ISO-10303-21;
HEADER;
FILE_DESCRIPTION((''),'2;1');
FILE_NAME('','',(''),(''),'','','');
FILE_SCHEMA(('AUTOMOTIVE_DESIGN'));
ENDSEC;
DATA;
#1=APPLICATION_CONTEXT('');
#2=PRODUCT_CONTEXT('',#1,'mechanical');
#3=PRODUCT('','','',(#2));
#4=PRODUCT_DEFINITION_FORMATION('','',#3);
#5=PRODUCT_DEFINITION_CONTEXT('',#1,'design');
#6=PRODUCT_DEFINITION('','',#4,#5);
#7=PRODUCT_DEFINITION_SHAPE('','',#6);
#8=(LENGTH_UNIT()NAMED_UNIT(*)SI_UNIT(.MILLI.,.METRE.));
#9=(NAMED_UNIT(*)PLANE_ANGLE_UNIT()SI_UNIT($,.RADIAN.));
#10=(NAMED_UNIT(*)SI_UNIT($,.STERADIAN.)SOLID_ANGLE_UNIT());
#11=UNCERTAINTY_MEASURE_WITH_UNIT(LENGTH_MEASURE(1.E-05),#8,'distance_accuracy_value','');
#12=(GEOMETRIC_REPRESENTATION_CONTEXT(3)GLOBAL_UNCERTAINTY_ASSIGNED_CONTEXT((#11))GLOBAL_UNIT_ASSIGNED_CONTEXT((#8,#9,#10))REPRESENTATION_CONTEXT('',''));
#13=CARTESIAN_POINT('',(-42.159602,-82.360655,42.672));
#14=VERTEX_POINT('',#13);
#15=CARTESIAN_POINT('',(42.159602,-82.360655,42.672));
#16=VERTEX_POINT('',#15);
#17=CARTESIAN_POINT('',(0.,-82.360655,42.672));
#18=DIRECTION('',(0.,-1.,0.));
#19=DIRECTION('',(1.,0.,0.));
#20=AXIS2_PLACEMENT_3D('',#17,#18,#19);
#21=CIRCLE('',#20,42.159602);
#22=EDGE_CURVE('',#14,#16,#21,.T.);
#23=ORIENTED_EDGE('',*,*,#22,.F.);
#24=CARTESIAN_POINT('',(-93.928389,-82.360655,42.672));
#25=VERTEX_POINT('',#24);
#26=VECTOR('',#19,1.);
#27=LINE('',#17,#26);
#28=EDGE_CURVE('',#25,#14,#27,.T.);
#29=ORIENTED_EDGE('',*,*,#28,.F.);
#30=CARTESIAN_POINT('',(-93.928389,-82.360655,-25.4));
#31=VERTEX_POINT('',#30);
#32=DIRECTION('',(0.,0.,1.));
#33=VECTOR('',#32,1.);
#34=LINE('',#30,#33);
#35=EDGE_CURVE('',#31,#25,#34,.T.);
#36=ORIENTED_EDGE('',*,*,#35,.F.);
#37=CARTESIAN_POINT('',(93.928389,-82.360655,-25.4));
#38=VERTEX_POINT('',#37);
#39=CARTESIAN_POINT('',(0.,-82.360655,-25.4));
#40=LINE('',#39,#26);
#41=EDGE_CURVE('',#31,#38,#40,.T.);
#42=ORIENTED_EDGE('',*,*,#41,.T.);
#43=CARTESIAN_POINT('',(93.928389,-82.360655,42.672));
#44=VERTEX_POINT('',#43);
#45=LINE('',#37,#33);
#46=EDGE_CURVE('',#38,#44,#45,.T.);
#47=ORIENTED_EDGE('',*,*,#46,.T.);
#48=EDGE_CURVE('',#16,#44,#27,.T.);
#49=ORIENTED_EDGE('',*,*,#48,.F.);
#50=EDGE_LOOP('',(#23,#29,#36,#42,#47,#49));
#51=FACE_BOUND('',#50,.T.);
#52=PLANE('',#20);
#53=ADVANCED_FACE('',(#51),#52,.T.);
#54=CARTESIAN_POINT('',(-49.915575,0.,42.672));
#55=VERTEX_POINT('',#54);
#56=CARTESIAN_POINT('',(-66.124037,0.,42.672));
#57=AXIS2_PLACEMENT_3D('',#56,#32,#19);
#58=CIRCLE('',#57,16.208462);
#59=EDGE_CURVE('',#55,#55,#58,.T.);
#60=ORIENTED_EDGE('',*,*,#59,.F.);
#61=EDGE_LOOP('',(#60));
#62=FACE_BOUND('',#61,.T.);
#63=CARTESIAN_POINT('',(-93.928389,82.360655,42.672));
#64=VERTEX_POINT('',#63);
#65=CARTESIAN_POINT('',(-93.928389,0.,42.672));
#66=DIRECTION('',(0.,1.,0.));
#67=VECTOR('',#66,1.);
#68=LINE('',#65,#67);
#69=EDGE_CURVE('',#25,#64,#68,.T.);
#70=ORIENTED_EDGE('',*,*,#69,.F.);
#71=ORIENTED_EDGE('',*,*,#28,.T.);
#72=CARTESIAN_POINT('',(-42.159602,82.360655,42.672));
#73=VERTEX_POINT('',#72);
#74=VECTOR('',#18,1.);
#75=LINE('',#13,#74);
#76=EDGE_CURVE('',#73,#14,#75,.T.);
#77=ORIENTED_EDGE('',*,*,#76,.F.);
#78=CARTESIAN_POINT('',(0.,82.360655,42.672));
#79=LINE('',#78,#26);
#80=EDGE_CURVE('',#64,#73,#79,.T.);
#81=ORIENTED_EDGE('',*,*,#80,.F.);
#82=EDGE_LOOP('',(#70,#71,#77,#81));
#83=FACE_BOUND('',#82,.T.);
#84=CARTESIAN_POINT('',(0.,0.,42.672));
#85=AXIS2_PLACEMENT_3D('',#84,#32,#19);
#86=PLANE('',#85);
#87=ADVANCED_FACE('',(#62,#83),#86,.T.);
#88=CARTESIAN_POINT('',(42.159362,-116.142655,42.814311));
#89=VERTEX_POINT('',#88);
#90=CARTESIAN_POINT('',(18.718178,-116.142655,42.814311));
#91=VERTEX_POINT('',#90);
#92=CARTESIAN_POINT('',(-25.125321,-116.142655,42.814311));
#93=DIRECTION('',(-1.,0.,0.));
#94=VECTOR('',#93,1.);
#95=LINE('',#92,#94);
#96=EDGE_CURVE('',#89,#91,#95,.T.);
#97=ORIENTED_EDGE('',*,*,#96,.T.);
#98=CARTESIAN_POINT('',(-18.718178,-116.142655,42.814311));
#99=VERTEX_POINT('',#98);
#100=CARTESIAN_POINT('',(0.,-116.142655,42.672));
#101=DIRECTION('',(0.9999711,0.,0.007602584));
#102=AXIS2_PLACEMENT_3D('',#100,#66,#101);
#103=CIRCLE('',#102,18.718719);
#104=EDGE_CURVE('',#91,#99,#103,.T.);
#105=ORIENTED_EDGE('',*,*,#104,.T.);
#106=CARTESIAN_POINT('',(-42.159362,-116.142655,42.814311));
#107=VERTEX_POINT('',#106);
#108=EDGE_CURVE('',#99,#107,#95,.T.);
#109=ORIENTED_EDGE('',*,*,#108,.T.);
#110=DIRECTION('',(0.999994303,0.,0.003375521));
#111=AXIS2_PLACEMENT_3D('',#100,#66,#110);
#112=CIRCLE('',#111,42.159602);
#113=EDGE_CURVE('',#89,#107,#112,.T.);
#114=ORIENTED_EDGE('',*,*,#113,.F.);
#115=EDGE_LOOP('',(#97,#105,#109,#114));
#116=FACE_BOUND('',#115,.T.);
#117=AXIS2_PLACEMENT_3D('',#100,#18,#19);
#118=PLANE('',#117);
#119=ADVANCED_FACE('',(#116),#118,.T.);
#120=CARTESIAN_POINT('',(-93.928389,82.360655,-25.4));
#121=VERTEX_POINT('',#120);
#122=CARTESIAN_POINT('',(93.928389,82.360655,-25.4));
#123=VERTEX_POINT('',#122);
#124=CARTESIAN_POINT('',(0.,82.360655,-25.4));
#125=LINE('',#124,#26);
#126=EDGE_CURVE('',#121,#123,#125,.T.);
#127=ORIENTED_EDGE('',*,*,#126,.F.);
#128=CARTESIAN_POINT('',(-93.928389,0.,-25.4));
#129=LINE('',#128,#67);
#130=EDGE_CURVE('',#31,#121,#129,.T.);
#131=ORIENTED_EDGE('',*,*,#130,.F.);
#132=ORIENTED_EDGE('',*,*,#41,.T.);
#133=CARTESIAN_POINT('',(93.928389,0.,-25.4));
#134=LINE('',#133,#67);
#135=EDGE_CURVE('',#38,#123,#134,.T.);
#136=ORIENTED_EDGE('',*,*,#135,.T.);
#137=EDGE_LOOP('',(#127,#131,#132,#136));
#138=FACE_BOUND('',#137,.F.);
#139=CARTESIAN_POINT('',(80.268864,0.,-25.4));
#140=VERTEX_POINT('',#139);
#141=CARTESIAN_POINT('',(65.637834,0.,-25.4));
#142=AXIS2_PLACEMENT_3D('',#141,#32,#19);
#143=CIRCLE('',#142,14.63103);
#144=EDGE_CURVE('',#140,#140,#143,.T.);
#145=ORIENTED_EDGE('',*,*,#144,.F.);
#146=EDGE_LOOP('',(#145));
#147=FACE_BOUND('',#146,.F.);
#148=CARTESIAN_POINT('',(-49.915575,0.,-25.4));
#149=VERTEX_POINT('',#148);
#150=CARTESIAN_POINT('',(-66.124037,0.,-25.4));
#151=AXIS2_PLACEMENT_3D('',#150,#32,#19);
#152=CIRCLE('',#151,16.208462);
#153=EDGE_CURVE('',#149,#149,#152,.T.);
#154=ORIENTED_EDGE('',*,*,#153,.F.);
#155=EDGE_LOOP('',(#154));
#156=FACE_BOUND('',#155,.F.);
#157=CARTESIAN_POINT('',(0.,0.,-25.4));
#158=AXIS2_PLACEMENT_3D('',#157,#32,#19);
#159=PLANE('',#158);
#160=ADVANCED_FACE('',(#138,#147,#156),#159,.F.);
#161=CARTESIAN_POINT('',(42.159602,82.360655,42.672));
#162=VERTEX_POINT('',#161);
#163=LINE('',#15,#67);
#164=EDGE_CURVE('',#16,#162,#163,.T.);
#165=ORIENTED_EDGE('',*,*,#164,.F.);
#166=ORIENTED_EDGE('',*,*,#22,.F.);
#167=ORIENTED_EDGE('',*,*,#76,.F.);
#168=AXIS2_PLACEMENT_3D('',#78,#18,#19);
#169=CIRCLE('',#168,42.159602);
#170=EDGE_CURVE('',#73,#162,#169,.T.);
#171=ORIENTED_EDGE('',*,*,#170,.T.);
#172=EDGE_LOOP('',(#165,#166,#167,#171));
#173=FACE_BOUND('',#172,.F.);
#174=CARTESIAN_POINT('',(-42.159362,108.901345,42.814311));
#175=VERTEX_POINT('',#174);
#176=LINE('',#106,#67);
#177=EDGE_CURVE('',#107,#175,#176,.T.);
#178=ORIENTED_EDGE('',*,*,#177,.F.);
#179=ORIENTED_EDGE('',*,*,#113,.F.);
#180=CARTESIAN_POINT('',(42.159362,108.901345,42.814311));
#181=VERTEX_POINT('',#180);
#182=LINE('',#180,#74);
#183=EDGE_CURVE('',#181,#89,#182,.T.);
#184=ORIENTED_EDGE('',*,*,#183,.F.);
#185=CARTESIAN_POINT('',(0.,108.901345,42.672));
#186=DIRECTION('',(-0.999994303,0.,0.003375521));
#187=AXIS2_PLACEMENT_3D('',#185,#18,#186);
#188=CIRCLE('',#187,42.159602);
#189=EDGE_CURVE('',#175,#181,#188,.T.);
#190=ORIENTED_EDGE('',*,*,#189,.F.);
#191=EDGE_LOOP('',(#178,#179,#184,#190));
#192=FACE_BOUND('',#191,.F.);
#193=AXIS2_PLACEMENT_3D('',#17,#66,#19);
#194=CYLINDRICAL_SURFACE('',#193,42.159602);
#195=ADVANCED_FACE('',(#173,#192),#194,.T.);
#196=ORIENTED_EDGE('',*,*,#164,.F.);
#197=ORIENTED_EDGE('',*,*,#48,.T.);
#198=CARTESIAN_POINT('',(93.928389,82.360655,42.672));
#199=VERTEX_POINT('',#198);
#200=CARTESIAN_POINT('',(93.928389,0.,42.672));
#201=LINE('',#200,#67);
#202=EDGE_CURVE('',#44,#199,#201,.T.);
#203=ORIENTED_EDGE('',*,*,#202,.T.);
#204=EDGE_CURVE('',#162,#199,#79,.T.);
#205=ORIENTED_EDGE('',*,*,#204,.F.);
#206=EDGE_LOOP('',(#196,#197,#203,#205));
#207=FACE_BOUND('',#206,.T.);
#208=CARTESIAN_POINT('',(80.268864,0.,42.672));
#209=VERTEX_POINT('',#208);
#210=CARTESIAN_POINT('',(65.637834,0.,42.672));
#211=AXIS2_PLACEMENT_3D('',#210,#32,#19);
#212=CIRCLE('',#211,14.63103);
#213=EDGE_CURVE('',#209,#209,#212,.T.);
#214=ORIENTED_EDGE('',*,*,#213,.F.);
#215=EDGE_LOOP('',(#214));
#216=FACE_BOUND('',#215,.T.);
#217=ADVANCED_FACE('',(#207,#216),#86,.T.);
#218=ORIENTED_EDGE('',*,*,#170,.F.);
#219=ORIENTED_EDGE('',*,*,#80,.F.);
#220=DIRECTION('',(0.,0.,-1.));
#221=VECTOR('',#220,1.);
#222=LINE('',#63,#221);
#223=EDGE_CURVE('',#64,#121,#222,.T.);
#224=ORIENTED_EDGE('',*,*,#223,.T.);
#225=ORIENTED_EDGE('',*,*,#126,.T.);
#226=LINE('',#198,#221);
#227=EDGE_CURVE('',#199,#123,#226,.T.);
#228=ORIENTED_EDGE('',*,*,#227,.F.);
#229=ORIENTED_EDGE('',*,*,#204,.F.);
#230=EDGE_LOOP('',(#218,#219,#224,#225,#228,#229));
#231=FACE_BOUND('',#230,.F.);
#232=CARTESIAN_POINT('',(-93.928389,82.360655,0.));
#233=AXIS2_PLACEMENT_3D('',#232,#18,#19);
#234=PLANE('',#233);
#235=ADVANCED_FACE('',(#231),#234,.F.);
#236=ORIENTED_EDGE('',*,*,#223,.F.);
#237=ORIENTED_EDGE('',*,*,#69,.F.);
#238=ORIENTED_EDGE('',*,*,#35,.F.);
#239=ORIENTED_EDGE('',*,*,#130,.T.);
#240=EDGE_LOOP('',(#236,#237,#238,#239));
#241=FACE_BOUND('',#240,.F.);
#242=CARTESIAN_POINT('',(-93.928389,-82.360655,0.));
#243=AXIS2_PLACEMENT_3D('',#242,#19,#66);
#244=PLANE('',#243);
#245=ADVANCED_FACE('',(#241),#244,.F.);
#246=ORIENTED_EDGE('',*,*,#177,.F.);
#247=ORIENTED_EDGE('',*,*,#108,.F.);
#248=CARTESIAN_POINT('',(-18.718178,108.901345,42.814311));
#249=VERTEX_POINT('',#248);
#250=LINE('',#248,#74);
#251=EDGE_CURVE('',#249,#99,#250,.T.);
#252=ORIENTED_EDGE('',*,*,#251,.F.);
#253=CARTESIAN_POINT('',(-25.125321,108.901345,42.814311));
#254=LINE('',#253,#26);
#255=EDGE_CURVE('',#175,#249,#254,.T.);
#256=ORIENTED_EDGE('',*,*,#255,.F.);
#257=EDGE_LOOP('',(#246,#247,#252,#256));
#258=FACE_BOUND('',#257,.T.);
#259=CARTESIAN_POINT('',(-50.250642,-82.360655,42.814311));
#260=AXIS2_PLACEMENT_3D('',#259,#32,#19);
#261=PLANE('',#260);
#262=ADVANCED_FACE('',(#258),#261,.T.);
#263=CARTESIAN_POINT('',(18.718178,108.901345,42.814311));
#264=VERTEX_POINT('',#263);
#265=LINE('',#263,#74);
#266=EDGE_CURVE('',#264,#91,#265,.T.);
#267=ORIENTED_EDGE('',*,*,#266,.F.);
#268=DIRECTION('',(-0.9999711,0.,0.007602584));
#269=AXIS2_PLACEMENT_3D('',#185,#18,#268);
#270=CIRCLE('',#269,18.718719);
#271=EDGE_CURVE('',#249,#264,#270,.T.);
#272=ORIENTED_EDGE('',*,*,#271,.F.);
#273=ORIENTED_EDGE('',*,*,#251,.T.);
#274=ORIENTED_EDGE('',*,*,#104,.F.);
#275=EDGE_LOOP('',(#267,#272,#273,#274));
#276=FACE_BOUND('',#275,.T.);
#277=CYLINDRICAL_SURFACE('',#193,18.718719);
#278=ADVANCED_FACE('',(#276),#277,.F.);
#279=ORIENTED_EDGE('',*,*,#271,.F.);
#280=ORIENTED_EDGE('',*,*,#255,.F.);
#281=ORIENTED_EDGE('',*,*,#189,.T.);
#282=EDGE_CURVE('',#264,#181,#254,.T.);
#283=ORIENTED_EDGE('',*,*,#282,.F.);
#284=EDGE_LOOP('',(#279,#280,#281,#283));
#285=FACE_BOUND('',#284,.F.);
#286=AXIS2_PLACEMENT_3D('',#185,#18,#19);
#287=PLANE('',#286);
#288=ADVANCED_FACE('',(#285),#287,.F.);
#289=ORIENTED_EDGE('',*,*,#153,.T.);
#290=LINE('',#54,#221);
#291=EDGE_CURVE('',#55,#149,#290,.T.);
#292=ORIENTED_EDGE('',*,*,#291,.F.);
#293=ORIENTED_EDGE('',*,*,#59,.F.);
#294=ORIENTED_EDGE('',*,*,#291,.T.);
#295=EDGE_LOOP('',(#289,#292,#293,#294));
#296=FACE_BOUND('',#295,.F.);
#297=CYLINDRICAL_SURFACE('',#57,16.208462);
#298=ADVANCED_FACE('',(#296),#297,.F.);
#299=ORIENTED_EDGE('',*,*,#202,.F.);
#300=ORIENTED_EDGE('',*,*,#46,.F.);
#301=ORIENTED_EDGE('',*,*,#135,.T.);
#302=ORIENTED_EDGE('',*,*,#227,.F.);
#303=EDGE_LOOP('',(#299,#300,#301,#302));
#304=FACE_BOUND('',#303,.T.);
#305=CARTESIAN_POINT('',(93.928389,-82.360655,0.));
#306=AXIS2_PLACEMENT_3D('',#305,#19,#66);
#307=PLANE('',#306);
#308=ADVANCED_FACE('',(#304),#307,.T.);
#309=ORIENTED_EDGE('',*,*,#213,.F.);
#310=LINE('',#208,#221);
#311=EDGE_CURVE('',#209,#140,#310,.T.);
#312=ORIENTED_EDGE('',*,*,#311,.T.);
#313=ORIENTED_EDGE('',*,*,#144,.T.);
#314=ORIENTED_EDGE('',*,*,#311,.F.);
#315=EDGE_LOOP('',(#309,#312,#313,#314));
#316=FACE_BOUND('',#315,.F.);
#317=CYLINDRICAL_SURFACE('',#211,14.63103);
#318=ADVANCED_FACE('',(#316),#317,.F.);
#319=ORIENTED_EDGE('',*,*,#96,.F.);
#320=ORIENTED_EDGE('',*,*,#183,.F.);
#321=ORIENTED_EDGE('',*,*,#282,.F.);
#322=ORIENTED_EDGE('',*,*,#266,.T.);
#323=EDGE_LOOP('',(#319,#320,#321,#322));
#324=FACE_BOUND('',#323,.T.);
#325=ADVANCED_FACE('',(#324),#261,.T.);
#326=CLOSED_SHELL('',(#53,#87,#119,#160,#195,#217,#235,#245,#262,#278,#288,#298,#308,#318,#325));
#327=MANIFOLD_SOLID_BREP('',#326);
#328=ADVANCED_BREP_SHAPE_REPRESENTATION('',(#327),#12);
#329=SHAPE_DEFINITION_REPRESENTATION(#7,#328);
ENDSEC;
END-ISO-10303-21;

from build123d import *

# Parameters (mm, degrees)
F0_W          = 187.8567785025
F0_H          = 164.7213101387
F1_DEPTH      = 25.4
F2_DEPTH      = 17.272
F3_R          = 42.1596023767
F3_R_2        = 18.71871866
F4_DEPTH      = 191.262
F4_DEPTH_BACK = 33.782
F5_DEPTH      = 191.263
F7_DEPTH      = 191.263
F7_DEPTH_BACK = 101.6
F8_R          = 16.2084623058
F8_R_2        = 14.6310298949
F9_DEPTH      = 68.073


with BuildPart() as f1:
    # F0 (on Top) → F1 (new body, symmetric)
    with BuildSketch(Plane.XY):
        Rectangle(F0_W, F0_H)
    extrude(amount=F1_DEPTH, both=True)

    # F2 (add, symmetric): a face of the model
    f2_faces = [f1.faces().sort_by_distance(p)[0] for p in [
        (0, 0, 25.4),
    ]]
    extrude(f2_faces, amount=F2_DEPTH, both=True)

    # F3 (on face) → F4 (join, two sides)
    with BuildSketch(Plane.XZ.offset(82.3606550694)) as f4_sk:
        with Locations((0, 42.672)):
            Circle(F3_R)
        with Locations((0, 42.672)):
            Circle(F3_R_2, mode=Mode.SUBTRACT)
    extrude(amount=-F4_DEPTH)
    extrude(f4_sk.sketch, amount=F4_DEPTH_BACK)

    # F3 (on face) → F5 (cut, through all)
    with BuildSketch(Plane.XZ.offset(82.3606550694)):
        with BuildLine():
            ThreePointArc((-18.71871866, 42.672), (0, 23.95328134), (18.71871866, 42.672))
            Line((18.71871866, 42.672), (-18.71871866, 42.672))
        make_face()
    extrude(amount=-F5_DEPTH, mode=Mode.SUBTRACT)

    # F6 (on face) → F7 (cut, two sides)
    with BuildSketch(Plane.XZ.offset(82.3606550694)) as f7_sk:
        Polygon((-50.2506420016, 42.8143106401), (0, 42.8143106401), (50.0124804676, 42.8143106401), (50.0124804676, 85.4440033436), (-50.2506420016, 85.4440033436), align=None)
    extrude(amount=-F7_DEPTH, mode=Mode.SUBTRACT)
    extrude(f7_sk.sketch, amount=F7_DEPTH_BACK, mode=Mode.SUBTRACT)

    # F8 (on face) → F9 (cut, through all)
    with BuildSketch(Plane.XY.offset(42.672)):
        with Locations((-66.1240369081, 0)):
            Circle(F8_R)
        with Locations((65.6378343701, 0)):
            Circle(F8_R_2)
    extrude(amount=-F9_DEPTH, mode=Mode.SUBTRACT)


solid = f1.part
